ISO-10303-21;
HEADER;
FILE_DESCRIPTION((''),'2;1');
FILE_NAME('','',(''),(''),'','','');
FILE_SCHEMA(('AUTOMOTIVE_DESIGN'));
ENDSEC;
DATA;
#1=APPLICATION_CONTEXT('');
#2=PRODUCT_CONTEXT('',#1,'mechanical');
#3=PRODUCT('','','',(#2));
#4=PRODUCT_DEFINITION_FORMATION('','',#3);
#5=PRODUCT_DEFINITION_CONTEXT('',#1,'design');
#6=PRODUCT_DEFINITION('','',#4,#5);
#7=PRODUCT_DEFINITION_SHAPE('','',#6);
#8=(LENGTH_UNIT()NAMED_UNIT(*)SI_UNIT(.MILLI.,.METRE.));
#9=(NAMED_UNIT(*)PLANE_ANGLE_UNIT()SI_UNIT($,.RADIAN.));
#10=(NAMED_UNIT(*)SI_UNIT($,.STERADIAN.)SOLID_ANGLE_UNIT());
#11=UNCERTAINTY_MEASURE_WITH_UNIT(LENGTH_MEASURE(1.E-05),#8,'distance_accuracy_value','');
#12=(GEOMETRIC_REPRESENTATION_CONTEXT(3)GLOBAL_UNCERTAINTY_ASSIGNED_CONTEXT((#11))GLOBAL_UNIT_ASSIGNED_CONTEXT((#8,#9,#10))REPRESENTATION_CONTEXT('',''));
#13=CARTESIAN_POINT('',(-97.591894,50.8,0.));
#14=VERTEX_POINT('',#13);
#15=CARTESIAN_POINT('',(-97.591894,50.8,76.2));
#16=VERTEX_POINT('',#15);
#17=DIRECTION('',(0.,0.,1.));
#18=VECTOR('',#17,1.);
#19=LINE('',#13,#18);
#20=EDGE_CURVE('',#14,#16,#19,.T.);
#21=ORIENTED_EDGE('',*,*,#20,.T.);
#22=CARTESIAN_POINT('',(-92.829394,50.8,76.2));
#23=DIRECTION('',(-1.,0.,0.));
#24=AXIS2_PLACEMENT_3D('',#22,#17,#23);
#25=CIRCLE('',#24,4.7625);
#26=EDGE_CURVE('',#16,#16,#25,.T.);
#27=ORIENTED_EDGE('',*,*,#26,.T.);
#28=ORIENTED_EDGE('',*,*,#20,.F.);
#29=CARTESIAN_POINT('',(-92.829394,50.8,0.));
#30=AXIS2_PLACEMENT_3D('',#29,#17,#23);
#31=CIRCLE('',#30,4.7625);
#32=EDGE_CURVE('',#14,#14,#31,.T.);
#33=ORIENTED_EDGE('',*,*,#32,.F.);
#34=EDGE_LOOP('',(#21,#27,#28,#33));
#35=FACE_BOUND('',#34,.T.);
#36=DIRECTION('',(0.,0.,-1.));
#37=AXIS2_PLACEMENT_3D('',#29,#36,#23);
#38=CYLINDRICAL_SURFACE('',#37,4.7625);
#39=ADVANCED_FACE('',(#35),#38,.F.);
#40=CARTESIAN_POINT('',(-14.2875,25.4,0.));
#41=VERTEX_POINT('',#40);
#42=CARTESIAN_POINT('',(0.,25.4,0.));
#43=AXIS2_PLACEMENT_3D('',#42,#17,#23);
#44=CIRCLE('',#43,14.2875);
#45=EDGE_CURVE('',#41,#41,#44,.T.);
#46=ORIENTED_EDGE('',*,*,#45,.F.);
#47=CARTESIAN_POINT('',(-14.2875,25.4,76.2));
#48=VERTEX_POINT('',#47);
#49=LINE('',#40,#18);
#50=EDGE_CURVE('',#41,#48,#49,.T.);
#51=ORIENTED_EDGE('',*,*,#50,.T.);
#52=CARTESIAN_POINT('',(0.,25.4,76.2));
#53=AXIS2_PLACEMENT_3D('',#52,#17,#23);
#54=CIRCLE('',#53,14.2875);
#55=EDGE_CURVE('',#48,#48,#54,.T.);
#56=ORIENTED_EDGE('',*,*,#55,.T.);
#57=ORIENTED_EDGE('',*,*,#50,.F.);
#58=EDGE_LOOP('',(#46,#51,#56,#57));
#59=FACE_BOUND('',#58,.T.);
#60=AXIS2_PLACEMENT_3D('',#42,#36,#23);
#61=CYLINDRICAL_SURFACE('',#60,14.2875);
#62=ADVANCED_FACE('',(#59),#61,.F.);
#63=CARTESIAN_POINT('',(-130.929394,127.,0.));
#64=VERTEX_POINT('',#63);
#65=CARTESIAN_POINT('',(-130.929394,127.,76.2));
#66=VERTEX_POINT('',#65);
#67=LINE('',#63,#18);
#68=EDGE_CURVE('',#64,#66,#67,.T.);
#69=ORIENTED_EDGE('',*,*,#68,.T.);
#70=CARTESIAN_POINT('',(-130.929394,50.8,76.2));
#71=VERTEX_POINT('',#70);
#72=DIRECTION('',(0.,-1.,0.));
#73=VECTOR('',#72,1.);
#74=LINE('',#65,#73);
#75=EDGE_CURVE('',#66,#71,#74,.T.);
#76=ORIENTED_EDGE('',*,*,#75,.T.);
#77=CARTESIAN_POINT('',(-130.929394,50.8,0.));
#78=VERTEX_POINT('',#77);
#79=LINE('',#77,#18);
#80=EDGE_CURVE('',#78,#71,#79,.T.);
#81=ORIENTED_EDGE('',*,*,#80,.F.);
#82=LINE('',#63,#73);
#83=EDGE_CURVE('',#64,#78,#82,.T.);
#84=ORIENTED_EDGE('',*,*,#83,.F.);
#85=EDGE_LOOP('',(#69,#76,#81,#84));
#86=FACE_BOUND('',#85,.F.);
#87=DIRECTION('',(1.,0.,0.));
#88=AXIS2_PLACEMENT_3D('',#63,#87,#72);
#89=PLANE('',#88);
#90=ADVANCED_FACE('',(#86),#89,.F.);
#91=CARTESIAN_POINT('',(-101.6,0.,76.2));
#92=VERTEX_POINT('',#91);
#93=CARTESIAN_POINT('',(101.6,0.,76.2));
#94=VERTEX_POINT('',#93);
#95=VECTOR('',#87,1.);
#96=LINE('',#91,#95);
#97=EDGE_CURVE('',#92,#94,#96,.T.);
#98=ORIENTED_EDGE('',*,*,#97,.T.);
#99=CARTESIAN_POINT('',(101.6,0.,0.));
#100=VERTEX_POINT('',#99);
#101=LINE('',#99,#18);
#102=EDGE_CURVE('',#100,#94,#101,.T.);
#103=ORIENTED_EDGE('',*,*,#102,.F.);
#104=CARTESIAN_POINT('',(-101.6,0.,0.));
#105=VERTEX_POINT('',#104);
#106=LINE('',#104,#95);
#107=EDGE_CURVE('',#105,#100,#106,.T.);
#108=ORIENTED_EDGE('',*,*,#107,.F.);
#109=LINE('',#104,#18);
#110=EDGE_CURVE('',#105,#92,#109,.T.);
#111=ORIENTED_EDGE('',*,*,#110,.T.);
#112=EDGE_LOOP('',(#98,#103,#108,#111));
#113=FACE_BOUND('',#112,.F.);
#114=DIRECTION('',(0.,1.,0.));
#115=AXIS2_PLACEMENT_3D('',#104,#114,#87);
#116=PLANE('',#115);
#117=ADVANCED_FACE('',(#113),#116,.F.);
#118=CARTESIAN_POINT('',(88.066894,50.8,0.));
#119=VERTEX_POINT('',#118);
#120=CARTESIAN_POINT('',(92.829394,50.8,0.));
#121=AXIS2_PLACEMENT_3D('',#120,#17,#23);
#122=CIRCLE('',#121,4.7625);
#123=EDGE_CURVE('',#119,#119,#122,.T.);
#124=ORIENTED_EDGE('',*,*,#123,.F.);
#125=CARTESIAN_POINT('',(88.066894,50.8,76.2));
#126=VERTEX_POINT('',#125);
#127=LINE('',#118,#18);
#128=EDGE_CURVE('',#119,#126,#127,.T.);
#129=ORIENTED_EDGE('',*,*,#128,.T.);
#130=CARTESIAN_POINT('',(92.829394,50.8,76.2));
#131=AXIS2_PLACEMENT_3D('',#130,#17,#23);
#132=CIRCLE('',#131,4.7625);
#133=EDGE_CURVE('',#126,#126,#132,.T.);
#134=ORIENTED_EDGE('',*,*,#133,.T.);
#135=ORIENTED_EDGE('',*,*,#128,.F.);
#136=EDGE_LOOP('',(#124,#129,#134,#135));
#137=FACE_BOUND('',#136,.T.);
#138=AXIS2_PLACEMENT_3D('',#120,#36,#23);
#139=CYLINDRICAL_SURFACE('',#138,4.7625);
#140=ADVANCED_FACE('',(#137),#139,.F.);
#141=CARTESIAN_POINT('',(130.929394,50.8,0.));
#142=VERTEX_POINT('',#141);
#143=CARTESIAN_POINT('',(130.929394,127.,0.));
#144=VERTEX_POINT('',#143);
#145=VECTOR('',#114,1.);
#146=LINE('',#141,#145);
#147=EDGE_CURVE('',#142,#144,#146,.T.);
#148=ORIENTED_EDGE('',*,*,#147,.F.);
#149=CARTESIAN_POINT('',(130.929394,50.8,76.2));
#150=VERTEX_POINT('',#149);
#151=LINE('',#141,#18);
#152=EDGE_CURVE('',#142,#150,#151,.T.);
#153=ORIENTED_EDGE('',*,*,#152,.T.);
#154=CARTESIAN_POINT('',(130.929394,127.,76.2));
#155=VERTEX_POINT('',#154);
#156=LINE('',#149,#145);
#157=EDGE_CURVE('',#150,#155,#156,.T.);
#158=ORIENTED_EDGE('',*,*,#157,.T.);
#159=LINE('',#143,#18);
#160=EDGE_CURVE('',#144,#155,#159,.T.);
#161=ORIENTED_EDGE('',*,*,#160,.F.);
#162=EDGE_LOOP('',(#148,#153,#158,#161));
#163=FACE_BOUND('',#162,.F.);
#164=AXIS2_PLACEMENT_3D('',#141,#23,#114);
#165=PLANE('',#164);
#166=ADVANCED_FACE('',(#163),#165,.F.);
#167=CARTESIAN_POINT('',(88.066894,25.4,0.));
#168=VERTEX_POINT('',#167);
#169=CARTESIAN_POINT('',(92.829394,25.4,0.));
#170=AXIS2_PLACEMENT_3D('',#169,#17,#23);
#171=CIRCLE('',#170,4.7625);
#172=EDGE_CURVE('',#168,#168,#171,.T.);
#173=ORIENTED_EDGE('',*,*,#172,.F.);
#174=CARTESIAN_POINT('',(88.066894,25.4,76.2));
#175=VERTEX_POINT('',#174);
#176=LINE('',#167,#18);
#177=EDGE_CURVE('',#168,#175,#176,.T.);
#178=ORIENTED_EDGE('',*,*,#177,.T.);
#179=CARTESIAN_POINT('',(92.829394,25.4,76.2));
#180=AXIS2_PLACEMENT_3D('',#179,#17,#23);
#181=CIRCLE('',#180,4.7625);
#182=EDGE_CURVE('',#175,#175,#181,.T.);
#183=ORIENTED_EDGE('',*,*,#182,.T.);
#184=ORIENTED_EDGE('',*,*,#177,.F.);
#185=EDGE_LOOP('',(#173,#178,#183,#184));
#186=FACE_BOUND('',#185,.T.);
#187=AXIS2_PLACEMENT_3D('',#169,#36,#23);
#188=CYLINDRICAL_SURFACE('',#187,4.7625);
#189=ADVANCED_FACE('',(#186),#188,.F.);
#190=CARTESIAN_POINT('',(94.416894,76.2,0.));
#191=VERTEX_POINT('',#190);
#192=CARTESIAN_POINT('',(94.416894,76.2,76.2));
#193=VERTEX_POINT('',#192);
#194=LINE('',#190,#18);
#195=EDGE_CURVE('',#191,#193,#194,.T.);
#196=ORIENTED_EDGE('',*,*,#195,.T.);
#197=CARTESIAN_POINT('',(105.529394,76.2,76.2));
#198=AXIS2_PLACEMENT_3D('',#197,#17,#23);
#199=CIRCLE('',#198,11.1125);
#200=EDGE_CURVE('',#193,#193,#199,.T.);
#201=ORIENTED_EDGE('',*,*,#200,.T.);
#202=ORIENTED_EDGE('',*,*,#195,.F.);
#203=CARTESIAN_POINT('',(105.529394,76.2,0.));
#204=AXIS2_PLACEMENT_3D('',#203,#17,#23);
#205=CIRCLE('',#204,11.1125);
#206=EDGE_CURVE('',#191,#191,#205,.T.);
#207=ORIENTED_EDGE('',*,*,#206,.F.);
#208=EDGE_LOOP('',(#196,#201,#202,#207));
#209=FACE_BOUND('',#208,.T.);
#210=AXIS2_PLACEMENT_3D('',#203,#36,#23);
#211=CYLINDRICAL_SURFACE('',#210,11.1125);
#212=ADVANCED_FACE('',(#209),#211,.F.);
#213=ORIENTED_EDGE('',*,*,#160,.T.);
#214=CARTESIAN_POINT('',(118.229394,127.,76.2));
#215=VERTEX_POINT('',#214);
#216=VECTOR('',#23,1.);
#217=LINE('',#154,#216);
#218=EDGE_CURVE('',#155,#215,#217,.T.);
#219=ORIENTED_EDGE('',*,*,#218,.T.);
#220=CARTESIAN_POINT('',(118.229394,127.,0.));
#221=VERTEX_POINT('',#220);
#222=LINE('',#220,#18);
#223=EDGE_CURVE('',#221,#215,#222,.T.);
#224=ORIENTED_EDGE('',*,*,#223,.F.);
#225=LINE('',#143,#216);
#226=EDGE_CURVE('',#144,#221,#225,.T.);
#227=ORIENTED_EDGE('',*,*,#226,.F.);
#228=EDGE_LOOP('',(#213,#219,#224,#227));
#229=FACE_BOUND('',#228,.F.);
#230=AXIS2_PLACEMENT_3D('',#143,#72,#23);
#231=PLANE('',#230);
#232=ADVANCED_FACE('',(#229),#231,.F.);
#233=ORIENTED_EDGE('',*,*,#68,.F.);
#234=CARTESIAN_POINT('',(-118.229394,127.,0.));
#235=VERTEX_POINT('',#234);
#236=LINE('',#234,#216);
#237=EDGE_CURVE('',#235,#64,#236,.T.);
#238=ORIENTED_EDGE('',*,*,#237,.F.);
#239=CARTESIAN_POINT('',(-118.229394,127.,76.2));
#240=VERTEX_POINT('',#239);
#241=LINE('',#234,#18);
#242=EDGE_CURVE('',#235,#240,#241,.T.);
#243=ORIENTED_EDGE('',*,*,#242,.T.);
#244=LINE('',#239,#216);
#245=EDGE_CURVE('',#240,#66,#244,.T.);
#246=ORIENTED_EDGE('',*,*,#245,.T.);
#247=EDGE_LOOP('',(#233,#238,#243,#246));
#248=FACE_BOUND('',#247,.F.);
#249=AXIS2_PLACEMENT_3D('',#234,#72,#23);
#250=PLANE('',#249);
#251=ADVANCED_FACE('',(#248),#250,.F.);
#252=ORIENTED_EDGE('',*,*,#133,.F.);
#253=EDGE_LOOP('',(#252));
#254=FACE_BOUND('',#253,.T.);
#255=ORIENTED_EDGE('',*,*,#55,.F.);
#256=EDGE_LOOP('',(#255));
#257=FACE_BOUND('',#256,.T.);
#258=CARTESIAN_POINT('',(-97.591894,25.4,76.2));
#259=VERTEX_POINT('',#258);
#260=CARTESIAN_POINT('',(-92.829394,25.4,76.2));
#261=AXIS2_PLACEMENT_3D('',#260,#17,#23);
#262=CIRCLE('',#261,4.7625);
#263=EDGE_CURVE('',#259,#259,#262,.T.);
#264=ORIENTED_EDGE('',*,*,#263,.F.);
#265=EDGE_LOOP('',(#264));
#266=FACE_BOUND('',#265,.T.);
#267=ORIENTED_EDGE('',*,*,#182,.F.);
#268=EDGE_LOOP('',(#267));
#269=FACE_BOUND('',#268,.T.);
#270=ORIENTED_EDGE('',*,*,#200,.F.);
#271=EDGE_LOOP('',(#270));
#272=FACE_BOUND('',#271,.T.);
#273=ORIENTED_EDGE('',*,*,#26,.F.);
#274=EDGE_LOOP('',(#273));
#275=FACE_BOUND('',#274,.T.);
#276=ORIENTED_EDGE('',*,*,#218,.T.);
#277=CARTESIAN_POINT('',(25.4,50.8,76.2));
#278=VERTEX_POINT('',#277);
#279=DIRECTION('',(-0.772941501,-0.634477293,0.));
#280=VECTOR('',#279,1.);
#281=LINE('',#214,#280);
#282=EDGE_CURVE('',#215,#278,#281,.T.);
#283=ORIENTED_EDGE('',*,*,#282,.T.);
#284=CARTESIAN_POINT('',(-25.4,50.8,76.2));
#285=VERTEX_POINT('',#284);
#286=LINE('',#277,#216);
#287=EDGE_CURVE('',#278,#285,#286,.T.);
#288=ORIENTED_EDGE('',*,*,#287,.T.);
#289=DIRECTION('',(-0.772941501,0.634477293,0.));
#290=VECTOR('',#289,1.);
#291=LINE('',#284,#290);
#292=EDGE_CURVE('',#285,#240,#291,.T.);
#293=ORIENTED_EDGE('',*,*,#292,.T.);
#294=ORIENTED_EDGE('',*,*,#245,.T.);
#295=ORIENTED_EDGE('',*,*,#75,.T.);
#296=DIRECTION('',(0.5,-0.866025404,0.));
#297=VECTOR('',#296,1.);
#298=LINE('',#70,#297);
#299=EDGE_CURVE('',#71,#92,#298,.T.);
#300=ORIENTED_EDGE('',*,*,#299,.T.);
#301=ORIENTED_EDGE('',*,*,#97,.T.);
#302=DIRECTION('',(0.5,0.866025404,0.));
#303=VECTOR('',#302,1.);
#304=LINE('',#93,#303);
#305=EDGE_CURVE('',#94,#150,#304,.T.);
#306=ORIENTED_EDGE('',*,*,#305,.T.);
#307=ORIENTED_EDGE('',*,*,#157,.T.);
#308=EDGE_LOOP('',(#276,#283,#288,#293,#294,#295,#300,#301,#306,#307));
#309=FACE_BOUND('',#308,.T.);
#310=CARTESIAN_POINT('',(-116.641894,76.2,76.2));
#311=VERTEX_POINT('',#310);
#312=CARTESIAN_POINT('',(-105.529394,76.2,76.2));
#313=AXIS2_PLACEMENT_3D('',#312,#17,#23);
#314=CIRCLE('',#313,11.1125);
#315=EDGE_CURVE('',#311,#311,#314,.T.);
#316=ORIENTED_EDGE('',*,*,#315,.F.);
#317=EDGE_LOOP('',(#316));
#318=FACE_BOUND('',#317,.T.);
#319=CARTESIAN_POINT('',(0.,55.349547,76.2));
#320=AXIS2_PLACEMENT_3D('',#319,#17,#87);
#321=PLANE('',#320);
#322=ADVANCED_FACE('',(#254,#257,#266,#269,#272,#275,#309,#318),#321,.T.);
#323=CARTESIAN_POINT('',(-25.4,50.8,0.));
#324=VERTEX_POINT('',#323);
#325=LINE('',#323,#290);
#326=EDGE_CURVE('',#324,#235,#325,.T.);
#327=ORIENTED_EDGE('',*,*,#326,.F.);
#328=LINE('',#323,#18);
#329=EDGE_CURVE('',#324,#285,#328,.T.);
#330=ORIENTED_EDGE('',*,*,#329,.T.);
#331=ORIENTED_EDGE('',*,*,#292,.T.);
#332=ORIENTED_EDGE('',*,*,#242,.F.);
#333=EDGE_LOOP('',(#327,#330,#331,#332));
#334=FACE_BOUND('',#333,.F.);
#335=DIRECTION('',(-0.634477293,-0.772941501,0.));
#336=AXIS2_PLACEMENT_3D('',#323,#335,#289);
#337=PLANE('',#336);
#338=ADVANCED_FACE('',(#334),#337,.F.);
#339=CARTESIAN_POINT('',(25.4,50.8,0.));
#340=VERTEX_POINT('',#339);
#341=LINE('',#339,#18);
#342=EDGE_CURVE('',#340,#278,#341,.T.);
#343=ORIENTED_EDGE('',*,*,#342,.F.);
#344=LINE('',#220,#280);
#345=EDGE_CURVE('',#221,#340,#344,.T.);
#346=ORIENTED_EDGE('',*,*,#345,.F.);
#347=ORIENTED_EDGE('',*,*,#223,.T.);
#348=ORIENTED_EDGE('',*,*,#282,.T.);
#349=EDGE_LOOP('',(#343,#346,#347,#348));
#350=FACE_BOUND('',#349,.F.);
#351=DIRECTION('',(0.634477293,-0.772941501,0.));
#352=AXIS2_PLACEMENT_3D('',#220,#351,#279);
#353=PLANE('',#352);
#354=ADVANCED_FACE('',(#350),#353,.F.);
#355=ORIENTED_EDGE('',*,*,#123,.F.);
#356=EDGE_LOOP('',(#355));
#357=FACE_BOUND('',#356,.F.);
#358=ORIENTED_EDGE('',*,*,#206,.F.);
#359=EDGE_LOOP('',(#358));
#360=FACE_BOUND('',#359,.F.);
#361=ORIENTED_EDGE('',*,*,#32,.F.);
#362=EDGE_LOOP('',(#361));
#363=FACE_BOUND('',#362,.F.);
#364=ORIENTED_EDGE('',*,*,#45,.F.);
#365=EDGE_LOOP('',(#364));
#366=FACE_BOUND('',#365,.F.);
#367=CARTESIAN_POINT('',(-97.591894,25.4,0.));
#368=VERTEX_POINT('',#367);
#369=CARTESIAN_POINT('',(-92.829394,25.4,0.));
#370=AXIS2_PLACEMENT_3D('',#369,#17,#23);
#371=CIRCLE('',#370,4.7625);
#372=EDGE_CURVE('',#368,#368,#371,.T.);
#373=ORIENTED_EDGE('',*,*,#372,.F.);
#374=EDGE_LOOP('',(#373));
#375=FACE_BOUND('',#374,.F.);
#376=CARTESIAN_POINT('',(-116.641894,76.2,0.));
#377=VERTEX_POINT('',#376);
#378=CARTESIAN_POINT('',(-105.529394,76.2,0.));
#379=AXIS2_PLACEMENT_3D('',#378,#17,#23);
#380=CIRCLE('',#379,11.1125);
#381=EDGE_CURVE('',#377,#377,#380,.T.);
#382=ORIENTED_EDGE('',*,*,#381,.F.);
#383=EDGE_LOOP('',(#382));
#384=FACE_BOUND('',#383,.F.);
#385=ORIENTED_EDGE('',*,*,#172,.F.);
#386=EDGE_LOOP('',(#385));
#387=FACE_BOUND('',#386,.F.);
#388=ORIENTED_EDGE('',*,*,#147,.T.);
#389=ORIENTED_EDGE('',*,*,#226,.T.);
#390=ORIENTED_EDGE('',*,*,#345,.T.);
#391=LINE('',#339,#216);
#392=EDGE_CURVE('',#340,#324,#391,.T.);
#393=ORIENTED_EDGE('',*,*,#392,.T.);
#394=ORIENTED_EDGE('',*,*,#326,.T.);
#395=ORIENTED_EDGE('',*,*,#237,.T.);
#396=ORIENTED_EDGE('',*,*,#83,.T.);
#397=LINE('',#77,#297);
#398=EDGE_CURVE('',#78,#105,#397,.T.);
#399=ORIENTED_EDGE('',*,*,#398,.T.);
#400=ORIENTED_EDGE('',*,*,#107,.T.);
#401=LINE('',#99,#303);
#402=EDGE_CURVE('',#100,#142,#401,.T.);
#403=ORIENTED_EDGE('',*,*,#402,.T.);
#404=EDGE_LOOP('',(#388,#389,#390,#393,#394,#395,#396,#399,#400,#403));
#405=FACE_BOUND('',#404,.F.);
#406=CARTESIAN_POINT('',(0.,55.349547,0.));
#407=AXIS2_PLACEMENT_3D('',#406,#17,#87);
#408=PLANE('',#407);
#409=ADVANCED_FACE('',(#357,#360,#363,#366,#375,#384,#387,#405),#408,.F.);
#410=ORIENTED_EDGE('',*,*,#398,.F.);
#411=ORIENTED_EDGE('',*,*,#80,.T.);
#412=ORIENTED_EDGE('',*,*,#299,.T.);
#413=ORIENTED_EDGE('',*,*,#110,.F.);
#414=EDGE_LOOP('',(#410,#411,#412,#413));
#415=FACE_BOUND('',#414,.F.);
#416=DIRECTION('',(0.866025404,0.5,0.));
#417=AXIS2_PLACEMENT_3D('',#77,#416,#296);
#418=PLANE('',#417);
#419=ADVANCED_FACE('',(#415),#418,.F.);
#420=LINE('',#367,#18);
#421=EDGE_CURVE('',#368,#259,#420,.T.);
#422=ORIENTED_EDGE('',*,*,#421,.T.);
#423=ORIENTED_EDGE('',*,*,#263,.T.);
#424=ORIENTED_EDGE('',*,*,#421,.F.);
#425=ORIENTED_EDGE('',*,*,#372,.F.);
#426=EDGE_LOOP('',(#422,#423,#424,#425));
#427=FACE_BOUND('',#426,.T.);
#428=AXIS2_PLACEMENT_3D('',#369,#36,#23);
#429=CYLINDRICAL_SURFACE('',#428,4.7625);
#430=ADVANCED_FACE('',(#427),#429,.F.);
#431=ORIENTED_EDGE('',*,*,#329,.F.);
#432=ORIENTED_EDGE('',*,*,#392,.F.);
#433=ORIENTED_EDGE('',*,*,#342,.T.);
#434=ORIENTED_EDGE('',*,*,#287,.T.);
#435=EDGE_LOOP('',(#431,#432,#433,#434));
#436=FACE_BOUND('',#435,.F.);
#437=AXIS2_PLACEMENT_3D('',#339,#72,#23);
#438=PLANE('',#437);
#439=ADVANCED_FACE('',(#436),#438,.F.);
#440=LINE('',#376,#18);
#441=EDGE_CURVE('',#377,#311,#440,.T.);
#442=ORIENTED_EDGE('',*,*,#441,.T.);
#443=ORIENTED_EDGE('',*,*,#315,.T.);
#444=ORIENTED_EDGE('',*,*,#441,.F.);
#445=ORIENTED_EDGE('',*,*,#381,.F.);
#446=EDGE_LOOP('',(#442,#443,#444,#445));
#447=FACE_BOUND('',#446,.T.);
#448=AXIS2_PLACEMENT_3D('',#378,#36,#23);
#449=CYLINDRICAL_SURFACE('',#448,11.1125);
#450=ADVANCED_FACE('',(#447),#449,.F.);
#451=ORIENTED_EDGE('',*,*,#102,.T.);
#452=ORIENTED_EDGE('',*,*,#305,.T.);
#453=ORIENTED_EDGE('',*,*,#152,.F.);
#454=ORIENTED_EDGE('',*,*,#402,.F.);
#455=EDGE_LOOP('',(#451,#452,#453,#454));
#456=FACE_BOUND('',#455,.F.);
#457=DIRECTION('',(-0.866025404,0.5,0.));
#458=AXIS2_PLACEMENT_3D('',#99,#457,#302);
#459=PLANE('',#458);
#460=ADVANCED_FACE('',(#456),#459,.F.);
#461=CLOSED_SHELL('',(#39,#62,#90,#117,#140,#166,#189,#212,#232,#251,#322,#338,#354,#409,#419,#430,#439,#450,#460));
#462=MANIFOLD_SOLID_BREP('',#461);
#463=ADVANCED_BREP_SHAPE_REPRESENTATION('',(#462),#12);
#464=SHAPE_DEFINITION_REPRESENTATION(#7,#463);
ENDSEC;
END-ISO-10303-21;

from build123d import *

# Parameters (mm, degrees)
SKETCH1_R           = 11.1125
SKETCH1_R_2         = 4.7625
SKETCH1_R_3         = 14.2875
BOSS_EXTRUDE1_DEPTH = 76.2


with BuildPart() as part:
    # Sketch1 → Boss-Extrude1 (new body)
    with BuildSketch(Plane.XY):
        Polygon((-101.6, 0), (101.6, 0), (130.929393675, 50.8), (130.929393675, 127), (118.229393675, 127), (25.4, 50.8), (-25.4, 50.8), (-118.229393675, 127), (-130.929393675, 127), (-130.929393675, 50.8), align=None)
        with Locations(Location((105.529393675, 76.2, 0), (0, 0, 180))):
            Circle(SKETCH1_R, mode=Mode.SUBTRACT)
        with Locations(Location((92.829393675, 50.8, 0), (0, 0, 180))):
            Circle(SKETCH1_R_2, mode=Mode.SUBTRACT)
        with Locations(Location((92.829393675, 25.4, 0), (0, 0, 180))):
            Circle(SKETCH1_R_2, mode=Mode.SUBTRACT)
        with Locations(Location((0, 25.4, 0), (0, 0, 180))):
            Circle(SKETCH1_R_3, mode=Mode.SUBTRACT)
        with Locations(Location((-92.829393675, 25.4, 0), (0, 0, 180))):
            Circle(SKETCH1_R_2, mode=Mode.SUBTRACT)
        with Locations(Location((-92.829393675, 50.8, 0), (0, 0, 180))):
            Circle(SKETCH1_R_2, mode=Mode.SUBTRACT)
        with Locations(Location((-105.529393675, 76.2, 0), (0, 0, 180))):
            Circle(SKETCH1_R, mode=Mode.SUBTRACT)
    extrude(amount=BOSS_EXTRUDE1_DEPTH)


solid = part.part
